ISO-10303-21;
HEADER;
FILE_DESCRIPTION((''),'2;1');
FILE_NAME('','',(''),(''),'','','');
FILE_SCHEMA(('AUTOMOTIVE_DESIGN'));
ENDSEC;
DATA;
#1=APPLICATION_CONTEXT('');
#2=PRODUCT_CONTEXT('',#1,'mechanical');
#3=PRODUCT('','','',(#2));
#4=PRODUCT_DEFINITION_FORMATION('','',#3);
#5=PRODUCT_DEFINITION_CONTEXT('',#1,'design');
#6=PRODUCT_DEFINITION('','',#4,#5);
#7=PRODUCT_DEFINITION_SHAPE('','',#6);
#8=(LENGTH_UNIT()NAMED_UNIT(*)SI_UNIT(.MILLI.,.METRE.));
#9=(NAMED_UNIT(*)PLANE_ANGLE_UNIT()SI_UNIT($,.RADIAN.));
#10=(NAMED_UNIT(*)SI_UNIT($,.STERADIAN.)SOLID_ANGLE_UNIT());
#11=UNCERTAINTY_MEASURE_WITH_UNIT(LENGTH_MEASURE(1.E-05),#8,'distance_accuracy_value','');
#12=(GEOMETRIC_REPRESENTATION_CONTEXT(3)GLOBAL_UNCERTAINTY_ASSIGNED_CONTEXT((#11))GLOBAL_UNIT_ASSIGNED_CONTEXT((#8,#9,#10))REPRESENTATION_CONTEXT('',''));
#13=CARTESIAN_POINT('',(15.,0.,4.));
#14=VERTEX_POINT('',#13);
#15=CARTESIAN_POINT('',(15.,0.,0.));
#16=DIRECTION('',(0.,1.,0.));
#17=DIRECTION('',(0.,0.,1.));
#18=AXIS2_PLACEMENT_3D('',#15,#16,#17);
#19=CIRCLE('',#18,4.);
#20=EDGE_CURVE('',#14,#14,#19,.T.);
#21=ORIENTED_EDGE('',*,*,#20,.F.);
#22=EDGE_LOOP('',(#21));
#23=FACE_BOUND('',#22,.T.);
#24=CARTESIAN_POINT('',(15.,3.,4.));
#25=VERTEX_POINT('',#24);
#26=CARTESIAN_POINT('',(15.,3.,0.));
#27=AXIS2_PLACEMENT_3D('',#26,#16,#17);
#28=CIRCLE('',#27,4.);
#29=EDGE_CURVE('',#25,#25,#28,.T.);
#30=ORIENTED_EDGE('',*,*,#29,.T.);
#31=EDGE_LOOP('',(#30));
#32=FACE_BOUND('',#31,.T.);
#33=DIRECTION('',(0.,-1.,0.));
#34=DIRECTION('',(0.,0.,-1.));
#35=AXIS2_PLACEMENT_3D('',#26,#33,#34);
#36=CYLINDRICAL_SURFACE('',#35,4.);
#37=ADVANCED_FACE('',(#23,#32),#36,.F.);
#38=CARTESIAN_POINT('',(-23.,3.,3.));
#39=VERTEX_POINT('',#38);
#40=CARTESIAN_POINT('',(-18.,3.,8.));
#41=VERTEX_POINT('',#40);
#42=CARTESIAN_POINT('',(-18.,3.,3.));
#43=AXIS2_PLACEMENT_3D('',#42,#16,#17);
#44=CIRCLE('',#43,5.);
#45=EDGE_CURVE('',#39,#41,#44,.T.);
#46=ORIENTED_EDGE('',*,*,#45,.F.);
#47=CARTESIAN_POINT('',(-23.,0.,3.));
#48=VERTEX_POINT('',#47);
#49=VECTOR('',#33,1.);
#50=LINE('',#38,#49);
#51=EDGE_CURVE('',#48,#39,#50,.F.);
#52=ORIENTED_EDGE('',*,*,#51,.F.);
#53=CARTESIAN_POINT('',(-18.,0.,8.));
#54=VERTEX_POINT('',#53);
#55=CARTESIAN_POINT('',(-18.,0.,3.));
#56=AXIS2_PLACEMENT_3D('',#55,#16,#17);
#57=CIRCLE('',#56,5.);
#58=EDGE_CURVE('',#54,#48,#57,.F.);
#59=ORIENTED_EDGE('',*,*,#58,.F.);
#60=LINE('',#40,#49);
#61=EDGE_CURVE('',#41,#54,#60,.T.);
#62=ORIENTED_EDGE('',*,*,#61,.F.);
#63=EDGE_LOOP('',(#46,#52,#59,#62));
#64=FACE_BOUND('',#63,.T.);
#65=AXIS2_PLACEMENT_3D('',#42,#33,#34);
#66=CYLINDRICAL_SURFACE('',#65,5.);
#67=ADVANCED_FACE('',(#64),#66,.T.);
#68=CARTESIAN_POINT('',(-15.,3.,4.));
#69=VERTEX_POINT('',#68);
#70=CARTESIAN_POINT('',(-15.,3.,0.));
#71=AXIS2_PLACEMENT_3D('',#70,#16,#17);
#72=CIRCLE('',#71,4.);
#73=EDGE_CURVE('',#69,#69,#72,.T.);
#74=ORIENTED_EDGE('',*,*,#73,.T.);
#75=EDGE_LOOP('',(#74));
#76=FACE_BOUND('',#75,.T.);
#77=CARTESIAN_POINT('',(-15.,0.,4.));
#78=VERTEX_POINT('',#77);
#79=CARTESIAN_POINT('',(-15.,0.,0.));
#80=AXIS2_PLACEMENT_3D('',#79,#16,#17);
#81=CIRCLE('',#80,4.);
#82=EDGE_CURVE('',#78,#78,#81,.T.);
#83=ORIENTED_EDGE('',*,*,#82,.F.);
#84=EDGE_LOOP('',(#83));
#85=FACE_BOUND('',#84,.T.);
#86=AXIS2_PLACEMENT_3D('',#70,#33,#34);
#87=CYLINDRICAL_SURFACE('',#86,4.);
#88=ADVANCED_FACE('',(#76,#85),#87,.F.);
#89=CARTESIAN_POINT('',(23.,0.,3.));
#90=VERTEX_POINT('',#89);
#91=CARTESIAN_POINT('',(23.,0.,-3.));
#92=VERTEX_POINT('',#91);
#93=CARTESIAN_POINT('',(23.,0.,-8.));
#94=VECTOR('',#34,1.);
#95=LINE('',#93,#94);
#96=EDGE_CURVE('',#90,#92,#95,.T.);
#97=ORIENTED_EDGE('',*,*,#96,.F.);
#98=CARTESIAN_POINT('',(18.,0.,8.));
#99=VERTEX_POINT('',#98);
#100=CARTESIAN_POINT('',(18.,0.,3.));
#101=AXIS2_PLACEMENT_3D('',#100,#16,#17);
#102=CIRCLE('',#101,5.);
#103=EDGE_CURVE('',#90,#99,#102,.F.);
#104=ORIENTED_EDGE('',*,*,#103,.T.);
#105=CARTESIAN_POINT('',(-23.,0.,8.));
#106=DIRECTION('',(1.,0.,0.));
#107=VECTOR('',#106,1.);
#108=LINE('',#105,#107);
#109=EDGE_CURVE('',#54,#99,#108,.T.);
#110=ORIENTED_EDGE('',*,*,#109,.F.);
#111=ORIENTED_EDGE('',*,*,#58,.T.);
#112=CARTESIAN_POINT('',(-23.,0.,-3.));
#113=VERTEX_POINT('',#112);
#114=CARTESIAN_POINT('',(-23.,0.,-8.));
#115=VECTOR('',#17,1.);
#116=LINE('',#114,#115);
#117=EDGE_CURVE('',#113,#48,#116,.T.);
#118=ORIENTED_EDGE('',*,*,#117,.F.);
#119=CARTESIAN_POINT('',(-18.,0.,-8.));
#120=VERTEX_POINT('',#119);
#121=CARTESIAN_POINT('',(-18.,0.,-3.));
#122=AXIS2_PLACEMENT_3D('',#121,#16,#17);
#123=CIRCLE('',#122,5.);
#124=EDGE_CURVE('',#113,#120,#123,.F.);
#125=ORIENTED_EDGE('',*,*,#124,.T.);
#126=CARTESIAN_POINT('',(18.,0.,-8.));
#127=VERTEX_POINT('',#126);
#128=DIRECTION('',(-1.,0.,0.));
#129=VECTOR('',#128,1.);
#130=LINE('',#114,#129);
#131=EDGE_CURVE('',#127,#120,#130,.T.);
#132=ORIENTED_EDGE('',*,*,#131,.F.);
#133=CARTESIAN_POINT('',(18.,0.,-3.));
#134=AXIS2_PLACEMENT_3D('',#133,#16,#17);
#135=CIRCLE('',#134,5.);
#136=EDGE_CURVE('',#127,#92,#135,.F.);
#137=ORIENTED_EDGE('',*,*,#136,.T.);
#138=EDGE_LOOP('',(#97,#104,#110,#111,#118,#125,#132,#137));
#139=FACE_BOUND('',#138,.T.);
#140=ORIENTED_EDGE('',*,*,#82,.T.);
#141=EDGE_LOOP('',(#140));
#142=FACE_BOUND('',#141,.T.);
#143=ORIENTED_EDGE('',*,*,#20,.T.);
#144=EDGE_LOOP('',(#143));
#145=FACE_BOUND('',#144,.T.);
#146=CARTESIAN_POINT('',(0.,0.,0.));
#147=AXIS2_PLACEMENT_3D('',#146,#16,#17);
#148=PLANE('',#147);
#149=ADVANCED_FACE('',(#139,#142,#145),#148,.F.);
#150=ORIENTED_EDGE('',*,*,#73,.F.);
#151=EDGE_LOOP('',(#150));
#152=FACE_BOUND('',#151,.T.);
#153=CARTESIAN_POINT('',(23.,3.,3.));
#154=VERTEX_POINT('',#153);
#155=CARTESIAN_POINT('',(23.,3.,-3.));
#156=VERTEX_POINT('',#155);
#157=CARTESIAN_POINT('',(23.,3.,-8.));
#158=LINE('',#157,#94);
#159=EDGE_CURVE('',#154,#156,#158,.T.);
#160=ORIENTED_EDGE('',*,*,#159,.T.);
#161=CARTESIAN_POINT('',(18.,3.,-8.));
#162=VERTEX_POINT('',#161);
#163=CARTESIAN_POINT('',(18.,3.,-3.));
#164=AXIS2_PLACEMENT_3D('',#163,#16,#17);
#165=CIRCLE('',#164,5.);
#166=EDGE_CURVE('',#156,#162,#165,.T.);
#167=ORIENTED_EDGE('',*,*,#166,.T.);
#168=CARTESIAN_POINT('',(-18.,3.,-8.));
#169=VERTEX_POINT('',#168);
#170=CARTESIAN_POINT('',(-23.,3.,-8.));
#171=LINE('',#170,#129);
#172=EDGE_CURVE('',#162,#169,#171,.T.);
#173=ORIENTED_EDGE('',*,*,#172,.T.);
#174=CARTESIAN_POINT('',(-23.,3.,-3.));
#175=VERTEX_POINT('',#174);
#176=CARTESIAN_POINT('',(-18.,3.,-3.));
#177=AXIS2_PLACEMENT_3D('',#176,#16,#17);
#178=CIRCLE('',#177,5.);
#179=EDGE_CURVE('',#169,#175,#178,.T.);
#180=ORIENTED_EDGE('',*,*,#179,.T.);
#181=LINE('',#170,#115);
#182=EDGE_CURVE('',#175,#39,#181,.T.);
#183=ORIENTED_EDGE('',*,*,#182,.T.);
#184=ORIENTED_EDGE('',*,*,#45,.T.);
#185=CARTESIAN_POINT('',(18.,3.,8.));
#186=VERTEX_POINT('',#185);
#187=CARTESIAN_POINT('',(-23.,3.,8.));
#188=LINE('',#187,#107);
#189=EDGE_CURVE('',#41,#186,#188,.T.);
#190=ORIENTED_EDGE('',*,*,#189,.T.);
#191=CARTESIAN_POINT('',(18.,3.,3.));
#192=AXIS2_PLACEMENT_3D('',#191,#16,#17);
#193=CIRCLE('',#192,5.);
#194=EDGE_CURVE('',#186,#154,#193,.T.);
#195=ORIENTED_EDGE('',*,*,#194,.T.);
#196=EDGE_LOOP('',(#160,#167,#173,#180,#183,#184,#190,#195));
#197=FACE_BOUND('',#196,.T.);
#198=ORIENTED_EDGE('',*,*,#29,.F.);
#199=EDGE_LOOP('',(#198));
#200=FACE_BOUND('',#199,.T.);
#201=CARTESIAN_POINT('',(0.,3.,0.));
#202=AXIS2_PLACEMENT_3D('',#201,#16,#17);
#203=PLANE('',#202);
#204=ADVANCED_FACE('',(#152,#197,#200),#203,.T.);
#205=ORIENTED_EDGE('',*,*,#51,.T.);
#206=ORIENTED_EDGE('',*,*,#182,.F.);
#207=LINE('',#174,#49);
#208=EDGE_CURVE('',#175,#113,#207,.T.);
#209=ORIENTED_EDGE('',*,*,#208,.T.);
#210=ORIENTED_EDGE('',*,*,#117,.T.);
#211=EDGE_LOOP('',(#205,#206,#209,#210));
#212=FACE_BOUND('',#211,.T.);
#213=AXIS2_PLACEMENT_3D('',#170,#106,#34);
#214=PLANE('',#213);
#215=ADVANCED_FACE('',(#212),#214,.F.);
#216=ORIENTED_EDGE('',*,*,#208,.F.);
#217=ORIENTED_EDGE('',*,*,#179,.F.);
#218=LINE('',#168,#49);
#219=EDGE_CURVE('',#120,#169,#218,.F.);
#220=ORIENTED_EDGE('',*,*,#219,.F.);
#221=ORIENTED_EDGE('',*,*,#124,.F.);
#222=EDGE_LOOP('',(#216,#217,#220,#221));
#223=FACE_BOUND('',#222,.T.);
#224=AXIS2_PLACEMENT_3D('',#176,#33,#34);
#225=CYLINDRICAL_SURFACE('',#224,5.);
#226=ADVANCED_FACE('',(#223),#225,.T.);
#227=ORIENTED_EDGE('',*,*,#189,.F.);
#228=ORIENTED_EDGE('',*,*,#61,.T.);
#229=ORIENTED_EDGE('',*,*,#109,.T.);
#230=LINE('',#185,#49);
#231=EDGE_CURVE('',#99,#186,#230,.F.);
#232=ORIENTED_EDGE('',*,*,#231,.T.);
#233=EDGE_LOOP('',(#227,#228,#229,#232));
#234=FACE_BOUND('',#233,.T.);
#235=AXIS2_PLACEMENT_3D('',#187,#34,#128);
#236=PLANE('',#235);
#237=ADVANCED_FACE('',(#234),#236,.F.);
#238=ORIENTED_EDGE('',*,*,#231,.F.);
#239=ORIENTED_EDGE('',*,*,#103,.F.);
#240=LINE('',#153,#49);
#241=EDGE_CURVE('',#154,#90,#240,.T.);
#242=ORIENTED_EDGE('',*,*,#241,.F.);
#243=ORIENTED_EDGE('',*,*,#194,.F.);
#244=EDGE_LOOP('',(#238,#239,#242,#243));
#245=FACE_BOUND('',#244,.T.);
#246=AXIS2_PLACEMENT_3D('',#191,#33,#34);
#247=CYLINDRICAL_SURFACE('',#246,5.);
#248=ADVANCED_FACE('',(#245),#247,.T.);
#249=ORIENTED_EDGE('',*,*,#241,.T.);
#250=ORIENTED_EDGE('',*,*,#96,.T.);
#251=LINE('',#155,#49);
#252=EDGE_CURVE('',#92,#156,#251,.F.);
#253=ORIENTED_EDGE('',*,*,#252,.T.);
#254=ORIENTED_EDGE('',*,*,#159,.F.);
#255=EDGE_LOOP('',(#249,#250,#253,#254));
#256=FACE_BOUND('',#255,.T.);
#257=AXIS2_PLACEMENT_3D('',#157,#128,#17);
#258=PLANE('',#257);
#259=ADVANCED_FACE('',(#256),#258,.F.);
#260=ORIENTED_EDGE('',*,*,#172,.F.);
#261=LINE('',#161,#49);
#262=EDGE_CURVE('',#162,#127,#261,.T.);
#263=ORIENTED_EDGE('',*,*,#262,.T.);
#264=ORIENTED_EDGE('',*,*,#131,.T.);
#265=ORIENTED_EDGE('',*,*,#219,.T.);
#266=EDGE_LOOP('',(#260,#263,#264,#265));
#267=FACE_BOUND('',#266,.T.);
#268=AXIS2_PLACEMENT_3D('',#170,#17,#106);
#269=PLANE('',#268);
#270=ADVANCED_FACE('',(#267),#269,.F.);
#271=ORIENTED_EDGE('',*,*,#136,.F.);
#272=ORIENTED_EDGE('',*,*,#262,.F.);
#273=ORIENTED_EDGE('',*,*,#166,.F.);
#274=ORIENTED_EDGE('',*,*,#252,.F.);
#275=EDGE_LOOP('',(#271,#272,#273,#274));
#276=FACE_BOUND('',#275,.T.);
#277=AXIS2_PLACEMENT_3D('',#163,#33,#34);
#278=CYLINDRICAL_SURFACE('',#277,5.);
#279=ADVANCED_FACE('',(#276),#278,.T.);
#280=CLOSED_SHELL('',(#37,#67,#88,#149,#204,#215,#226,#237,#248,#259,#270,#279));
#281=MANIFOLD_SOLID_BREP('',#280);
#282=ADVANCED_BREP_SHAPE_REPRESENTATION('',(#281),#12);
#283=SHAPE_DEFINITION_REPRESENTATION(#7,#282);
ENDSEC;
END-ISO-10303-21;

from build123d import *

# Parameters (mm, degrees)
SKETCH1_W           = 46
SKETCH1_H           = 16
SKETCH1_R           = 4
BOSS_EXTRUDE1_DEPTH = 3
FILLET1_R           = 5


with BuildPart() as part:
    # Sketch1 → Boss-Extrude1 (new body)
    with BuildSketch(Plane(origin=(0, 0, 0), x_dir=(1, 0, 0), z_dir=(0, 1, 0))):
        Rectangle(SKETCH1_W, SKETCH1_H)
        with Locations(Location((-15, 0, 0), (0, 0, 270))):
            Circle(SKETCH1_R, mode=Mode.SUBTRACT)
        with Locations(Location((15, 0, 0), (0, 0, 270))):
            Circle(SKETCH1_R, mode=Mode.SUBTRACT)
    extrude(amount=BOSS_EXTRUDE1_DEPTH)

    # Fillet1
    fillet1_edges = [part.edges().sort_by_distance(p)[0] for p in [
        (23, 1.5, 8),
        (-23, 1.5, 8),
        (-23, 1.5, -8),
        (23, 1.5, -8),
    ]]
    fillet(fillet1_edges, radius=FILLET1_R)


solid = part.part
